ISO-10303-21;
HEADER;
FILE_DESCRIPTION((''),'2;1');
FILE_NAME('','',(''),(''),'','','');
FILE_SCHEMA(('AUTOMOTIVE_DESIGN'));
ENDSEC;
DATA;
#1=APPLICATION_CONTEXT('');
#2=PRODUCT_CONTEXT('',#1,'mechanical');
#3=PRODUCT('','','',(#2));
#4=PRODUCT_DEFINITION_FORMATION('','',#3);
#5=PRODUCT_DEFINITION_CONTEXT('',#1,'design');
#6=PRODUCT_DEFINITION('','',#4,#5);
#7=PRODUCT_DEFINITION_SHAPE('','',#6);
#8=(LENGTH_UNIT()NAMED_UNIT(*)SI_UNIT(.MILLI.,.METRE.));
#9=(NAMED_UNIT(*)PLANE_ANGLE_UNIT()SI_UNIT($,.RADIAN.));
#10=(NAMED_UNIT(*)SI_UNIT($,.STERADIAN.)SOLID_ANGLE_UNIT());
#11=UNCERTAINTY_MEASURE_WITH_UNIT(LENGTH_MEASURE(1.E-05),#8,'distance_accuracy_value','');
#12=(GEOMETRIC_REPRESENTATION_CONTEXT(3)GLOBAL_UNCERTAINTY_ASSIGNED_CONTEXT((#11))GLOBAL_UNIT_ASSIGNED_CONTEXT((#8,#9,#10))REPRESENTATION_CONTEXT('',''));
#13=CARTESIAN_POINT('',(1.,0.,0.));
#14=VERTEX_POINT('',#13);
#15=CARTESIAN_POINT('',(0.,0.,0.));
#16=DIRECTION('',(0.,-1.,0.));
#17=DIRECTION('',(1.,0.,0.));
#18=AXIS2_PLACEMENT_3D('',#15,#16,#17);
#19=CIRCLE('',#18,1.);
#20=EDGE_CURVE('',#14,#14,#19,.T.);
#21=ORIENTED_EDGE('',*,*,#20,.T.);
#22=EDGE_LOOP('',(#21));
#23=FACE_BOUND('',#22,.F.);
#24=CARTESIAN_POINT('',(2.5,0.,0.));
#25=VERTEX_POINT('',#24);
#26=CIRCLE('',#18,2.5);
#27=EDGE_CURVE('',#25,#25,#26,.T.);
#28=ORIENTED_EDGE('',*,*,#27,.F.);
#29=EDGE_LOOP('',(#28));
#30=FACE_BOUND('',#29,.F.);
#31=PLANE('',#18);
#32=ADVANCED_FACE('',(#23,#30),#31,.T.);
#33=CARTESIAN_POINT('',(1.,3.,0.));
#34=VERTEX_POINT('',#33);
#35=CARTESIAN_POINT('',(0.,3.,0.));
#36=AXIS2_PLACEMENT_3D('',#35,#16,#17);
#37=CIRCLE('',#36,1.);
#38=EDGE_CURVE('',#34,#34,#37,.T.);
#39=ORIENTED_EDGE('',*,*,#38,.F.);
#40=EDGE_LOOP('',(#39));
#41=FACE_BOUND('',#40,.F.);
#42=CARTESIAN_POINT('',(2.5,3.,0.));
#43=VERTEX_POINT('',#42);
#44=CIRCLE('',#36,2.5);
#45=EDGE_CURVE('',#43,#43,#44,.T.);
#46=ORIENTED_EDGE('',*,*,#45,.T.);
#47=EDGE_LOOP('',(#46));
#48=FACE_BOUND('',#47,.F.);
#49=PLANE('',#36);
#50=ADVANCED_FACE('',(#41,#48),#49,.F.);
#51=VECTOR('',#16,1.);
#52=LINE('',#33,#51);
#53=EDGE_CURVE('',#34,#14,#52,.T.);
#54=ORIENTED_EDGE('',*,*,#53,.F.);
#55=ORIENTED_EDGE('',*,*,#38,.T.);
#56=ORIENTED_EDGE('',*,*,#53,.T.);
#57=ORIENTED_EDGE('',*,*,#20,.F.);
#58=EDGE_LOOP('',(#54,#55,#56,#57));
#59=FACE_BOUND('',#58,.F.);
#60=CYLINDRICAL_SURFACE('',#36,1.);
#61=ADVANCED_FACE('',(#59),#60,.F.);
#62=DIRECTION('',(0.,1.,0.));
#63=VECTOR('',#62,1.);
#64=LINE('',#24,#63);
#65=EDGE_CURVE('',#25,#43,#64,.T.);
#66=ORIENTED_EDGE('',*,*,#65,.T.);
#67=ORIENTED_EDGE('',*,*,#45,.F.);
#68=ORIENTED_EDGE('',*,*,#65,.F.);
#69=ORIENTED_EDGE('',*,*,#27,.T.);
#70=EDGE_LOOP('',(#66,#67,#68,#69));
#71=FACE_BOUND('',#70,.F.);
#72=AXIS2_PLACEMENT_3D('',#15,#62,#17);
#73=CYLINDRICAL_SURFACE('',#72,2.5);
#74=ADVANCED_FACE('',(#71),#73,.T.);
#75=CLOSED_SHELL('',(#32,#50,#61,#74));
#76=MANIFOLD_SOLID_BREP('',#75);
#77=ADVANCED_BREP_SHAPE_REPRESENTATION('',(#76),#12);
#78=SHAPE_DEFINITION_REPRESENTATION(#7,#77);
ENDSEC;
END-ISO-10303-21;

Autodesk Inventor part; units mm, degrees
ref_plane "YZ Plane" through (0, 0, 0) normal (1, 0, 0) x (0, 1, 0)
ref_plane "XZ Plane" through (0, 0, 0) normal (0, 1, 0) x (-1, 0, 0)
ref_plane "XY Plane" through (0, 0, 0) normal (0, 0, 1) x (1, 0, 0)
sketch "Sketch2" plane through (0, 0, 0) normal (0, 0, 1) x (1, 0, 0)
  line L0 (0, 0) -> (2.5, 0)
  line L1 (2.5, 0) -> (2.5, 3)
  line L2 (2.5, 3) -> (0, 3)
  line L3 (0, 3) -> (0, 0)
  line L4 (0, 3) -> (1, 3)
  line L5 (1, 3) -> (1, 0)
  line L6 (1, 0) -> (0, 0)
  line L7 (0, 0) -> (0, 3)
  dimension "d2" = 3
  dimension "d9" = 2.5
  dimension "d10" = 1
revolve "Revolution2" add sketch "Sketch2" angle 360 about axis through (0, 3, 0) along (0, -1, 0) contours L5 L2 L1 L0
properties part number "SleeveBearing2mm" material "Brass, Soft Yellow, Welded"
